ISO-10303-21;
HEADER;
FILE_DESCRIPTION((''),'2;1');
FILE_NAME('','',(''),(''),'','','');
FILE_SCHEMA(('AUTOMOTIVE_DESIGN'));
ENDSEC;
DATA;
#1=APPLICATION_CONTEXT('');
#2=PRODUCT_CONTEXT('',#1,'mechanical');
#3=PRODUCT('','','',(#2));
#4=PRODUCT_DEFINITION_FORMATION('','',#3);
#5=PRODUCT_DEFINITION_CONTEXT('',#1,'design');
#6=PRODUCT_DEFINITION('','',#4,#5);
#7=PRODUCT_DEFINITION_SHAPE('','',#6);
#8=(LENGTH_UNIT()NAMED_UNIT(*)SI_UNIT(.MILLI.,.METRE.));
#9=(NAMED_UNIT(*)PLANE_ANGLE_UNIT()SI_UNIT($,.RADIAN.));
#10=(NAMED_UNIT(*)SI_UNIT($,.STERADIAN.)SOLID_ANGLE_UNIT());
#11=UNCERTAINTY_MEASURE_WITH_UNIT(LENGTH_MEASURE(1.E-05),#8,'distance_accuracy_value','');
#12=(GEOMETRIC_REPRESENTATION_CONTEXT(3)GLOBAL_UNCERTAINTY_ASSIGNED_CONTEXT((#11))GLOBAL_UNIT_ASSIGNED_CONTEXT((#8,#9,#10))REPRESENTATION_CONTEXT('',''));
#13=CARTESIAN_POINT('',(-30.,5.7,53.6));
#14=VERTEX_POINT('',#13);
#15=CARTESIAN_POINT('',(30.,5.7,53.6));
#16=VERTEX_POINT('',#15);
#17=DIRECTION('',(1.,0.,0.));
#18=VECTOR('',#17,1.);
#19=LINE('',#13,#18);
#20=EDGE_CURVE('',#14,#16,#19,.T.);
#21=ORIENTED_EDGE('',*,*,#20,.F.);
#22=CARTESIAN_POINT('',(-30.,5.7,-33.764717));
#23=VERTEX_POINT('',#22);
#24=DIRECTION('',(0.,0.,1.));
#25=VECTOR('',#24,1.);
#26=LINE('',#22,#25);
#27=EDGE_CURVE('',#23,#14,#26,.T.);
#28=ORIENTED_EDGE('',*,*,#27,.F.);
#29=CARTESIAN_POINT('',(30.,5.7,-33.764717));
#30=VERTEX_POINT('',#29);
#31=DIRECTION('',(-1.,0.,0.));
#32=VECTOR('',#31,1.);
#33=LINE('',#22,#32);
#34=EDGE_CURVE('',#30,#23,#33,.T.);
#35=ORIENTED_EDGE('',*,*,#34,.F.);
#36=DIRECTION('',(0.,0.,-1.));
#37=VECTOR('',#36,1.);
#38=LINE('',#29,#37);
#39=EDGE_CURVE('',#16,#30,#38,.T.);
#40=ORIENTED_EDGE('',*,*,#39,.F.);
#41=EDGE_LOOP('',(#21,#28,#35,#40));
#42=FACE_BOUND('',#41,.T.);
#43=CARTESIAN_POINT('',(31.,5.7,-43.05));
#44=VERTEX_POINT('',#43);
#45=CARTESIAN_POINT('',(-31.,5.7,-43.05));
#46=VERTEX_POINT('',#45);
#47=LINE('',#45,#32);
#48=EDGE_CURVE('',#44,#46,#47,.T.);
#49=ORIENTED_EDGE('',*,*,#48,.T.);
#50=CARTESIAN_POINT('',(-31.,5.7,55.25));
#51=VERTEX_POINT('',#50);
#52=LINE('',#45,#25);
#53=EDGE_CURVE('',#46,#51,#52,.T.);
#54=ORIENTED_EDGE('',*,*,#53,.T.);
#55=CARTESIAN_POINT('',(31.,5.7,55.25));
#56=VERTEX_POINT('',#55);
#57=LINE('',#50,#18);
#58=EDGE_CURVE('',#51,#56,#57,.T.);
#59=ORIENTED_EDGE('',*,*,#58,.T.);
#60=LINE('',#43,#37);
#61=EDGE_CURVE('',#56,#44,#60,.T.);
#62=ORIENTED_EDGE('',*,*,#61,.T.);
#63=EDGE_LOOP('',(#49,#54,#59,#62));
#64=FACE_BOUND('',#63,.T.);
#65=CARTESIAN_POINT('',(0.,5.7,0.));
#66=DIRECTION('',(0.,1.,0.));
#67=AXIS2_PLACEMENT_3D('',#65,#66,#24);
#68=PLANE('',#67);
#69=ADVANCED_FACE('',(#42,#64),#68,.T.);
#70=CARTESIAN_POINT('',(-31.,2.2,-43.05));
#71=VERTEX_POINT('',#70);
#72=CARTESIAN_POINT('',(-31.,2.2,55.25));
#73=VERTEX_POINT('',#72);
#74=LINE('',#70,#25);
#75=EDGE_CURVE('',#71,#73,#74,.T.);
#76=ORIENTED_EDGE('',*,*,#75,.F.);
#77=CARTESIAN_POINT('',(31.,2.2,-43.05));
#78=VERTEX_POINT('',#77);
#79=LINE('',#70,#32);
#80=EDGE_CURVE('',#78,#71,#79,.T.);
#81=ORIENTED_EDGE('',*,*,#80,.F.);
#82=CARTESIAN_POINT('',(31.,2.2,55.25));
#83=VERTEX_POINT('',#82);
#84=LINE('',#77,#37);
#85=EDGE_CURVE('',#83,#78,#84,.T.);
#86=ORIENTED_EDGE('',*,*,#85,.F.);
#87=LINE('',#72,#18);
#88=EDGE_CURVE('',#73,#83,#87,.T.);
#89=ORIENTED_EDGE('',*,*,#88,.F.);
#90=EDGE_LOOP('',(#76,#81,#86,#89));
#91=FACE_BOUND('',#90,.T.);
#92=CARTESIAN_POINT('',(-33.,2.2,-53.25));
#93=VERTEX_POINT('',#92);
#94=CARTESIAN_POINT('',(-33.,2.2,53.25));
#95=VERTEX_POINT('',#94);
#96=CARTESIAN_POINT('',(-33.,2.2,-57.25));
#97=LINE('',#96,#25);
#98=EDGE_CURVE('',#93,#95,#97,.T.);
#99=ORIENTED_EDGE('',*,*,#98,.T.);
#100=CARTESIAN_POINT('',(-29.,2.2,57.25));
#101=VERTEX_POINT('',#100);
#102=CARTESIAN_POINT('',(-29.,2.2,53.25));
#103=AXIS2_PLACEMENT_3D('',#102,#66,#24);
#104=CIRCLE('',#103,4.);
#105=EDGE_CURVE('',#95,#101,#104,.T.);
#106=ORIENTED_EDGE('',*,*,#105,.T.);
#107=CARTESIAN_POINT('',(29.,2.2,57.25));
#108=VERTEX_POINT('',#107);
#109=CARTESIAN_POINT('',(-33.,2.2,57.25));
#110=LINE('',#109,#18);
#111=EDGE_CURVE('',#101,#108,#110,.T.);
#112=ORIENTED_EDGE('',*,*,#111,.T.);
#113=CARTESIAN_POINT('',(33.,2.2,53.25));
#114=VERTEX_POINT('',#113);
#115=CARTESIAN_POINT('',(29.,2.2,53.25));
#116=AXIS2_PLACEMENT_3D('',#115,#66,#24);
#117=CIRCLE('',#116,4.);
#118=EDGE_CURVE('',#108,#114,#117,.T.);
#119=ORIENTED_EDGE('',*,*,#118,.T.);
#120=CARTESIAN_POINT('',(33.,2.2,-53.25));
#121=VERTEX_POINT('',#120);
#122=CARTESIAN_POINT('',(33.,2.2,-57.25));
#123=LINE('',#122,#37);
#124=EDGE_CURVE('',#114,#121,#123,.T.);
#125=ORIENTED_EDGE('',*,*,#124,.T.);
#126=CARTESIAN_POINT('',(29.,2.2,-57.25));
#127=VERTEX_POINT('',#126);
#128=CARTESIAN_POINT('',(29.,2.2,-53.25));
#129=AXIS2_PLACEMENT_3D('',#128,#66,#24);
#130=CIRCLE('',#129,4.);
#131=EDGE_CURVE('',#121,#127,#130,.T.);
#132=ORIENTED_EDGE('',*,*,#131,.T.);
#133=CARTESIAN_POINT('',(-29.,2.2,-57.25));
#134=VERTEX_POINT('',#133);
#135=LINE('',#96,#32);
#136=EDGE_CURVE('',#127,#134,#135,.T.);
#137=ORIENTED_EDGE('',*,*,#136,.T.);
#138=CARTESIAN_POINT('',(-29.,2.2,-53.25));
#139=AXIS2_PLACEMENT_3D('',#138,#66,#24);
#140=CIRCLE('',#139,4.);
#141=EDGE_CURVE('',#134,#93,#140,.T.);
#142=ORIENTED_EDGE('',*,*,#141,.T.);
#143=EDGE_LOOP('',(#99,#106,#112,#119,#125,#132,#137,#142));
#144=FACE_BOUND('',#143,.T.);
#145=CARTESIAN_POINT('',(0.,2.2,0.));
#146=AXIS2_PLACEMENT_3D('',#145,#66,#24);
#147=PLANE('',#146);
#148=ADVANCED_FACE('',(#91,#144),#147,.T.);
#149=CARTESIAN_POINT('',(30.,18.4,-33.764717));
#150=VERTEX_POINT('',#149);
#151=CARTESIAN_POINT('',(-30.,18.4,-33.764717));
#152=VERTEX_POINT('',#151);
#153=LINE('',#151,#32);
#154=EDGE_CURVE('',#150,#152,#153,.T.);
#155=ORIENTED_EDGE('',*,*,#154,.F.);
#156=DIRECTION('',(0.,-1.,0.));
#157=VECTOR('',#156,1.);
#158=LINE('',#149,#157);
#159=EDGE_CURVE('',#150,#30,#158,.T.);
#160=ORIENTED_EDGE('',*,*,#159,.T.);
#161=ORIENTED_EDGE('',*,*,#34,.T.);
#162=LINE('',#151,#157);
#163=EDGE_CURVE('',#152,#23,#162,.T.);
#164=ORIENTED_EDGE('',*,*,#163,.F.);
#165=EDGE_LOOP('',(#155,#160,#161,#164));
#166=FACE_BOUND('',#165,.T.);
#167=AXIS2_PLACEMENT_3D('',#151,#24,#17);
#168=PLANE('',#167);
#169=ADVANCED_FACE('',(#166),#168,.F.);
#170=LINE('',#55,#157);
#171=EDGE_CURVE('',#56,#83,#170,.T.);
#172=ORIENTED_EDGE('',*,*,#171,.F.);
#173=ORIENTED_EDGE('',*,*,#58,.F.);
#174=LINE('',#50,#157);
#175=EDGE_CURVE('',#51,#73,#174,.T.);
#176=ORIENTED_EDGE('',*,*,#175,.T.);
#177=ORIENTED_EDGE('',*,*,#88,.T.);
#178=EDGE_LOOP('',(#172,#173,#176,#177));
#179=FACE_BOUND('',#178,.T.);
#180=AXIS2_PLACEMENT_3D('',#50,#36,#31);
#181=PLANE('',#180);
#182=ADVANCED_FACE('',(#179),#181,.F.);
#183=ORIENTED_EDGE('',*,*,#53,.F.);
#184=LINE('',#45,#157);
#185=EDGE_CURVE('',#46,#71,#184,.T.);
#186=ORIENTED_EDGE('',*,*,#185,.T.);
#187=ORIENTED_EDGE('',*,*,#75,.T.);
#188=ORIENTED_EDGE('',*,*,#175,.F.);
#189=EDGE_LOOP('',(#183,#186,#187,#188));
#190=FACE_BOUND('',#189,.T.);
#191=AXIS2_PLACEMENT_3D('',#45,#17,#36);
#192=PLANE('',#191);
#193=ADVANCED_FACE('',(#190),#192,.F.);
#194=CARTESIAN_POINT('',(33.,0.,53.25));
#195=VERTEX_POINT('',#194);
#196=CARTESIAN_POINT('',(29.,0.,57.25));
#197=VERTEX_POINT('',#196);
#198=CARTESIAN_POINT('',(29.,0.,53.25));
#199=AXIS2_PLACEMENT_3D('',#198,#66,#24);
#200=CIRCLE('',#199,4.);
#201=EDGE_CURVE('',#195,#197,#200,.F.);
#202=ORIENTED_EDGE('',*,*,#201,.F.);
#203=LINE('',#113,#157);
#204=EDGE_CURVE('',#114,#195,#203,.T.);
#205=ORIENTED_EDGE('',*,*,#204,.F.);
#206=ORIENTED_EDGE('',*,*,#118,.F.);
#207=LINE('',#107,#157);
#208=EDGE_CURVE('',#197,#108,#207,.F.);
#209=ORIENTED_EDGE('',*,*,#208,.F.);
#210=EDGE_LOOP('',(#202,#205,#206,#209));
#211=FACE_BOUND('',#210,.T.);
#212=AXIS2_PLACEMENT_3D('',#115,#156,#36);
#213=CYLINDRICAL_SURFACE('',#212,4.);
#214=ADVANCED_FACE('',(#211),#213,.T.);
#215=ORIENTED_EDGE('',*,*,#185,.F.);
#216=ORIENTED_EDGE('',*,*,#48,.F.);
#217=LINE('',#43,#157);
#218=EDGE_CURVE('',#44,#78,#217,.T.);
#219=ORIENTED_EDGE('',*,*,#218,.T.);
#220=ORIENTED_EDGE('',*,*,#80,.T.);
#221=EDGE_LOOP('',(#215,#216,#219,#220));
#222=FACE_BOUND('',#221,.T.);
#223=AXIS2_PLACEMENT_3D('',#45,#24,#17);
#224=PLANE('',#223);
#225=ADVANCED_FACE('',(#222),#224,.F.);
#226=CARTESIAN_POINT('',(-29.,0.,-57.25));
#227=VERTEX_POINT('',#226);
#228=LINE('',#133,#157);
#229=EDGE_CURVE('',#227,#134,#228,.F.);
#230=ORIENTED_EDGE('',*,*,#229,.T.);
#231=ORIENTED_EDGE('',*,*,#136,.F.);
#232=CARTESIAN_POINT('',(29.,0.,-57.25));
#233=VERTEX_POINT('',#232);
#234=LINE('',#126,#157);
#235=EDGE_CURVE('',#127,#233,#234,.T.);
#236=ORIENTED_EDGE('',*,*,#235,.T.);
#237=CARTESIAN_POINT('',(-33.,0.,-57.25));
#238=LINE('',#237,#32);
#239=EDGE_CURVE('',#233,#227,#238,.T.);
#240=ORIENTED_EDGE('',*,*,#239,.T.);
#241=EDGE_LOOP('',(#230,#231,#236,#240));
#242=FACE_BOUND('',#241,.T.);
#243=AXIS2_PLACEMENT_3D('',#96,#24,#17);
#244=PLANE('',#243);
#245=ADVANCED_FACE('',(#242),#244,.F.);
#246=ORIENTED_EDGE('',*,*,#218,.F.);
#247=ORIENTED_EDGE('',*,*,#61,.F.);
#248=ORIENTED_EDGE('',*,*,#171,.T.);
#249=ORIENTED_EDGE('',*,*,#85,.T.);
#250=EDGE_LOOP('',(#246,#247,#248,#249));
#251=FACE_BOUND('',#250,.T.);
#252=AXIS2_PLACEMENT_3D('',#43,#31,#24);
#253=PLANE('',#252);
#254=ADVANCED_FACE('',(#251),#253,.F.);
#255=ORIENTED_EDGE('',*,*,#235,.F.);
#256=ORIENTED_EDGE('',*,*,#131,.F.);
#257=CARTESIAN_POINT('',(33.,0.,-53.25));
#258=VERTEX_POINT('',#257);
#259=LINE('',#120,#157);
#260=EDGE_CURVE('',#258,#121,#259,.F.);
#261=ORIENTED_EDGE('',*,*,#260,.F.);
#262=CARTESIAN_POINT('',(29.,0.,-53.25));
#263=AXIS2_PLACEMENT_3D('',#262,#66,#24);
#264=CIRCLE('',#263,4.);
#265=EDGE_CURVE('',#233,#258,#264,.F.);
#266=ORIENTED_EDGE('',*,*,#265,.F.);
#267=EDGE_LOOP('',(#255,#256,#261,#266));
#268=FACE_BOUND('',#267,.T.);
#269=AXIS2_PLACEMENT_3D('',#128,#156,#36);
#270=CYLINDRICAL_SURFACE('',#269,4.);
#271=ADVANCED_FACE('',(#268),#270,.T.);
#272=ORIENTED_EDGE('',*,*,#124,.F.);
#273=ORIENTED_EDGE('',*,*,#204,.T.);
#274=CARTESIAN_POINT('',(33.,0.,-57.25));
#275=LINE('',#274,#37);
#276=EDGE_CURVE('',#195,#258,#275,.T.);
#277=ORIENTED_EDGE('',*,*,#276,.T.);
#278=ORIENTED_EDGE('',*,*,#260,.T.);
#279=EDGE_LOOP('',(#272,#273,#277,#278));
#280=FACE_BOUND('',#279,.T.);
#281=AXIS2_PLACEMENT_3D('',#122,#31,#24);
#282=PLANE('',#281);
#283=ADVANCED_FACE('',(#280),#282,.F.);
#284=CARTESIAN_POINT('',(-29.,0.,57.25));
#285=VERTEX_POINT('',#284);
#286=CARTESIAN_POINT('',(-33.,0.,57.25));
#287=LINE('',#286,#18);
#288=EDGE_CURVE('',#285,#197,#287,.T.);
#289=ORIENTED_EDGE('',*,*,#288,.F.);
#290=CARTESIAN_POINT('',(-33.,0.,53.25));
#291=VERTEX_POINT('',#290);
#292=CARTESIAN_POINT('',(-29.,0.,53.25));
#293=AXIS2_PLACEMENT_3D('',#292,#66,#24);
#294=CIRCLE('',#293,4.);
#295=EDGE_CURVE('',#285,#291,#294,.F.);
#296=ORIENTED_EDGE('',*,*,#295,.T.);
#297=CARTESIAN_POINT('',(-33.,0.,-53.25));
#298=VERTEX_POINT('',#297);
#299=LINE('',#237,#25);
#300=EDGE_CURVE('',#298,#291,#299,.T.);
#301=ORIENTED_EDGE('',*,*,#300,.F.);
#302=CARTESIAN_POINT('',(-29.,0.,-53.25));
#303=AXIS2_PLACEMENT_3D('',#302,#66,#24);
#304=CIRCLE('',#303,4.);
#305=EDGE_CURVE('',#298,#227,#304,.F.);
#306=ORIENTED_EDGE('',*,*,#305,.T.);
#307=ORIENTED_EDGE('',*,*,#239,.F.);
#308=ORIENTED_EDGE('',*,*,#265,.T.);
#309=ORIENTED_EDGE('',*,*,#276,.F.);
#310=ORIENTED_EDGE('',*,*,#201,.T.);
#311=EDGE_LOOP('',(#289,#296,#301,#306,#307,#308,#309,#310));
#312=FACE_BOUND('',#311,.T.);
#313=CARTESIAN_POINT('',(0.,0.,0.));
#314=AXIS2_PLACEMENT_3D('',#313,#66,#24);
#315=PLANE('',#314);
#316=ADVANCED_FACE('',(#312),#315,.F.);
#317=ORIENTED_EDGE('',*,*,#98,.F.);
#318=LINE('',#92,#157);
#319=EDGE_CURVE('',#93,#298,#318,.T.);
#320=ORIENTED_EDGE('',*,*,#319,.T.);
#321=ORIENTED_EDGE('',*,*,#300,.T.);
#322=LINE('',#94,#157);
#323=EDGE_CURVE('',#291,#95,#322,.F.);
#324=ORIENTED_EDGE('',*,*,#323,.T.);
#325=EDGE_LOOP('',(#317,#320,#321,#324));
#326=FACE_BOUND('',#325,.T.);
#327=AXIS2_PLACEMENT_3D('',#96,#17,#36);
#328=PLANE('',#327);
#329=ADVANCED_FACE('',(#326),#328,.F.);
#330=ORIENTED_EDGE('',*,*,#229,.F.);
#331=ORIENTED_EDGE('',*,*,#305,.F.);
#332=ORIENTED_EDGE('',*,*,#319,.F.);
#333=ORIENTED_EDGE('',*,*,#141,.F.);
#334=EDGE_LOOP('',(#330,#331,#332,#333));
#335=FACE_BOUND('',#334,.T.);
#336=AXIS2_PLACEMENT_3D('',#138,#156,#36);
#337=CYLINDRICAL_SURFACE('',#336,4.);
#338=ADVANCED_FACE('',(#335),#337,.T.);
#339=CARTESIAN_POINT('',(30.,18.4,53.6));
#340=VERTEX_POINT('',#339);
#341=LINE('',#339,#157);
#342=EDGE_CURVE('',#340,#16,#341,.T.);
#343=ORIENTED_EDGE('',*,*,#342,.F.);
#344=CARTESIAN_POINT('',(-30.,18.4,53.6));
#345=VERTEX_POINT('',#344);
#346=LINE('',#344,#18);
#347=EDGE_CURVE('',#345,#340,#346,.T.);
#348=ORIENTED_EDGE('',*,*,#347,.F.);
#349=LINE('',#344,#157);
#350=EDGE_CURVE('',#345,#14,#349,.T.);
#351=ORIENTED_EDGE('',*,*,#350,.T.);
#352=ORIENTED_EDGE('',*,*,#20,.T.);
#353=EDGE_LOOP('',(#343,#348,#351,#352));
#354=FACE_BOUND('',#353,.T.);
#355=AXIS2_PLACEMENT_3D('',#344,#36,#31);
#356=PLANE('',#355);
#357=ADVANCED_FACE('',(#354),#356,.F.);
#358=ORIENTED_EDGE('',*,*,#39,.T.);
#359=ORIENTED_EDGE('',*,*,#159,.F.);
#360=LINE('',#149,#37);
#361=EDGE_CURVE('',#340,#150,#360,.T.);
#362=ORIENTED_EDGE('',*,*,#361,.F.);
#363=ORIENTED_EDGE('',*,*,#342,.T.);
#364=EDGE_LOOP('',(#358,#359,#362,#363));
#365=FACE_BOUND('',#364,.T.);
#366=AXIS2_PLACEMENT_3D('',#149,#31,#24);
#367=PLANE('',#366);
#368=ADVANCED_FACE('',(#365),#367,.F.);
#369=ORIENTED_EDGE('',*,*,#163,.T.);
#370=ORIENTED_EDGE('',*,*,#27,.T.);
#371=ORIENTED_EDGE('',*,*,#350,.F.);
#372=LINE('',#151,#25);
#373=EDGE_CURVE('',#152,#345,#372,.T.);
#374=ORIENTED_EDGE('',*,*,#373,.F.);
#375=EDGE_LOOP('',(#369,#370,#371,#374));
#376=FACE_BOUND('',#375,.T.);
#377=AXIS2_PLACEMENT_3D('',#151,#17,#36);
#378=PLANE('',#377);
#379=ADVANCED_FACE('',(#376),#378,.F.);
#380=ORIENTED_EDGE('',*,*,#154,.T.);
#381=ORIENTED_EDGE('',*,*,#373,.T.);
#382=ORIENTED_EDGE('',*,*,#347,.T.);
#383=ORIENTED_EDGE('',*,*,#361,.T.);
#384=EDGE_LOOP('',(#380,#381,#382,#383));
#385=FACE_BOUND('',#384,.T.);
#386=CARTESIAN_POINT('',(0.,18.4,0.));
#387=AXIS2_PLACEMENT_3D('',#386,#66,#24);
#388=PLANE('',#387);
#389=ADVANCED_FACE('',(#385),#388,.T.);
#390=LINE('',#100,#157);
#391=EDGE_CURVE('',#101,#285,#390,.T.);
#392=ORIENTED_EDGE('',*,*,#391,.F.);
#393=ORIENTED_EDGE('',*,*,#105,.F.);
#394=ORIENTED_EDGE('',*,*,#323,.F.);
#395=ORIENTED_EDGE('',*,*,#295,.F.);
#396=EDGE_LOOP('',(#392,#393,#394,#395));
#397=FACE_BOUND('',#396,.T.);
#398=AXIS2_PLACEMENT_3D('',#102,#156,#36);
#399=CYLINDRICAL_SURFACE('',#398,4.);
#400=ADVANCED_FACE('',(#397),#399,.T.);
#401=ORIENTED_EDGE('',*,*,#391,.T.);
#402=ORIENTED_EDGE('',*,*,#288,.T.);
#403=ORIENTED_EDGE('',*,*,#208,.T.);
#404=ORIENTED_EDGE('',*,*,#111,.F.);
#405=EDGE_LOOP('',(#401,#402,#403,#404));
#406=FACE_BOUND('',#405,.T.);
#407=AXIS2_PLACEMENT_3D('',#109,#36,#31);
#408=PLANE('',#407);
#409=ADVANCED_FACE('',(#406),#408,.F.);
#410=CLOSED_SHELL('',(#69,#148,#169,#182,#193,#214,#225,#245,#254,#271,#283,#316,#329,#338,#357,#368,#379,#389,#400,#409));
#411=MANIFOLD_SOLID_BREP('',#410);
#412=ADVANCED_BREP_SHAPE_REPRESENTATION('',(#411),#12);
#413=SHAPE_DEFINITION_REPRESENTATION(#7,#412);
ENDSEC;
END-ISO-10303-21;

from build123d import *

# Parameters (mm, degrees)
SKETCH_1_W      = 66
SKETCH_1_H      = 114.5
EXTRUDE_1_DEPTH = 2.2
FILLET_1_R      = 4
SKETCH_2_W      = 62
SKETCH_2_H      = 98.3
EXTRUDE_2_DEPTH = 3.5
SKETCH_3_W      = 60
SKETCH_3_H      = 87.364717042
EXTRUDE_3_DEPTH = 12.7


with BuildPart() as part:
    # 스케치1 → 보스-돌출1 (new body)
    with BuildSketch(Plane(origin=(0, 0, 0), x_dir=(1, 0, 0), z_dir=(0, 1, 0))):
        Rectangle(SKETCH_1_W, SKETCH_1_H)
    extrude(amount=EXTRUDE_1_DEPTH)

    # 필렛1
    fillet_1_edges = [part.edges().sort_by_distance(p)[0] for p in [
        (-33, 1.1, -57.25),
        (33, 1.1, -57.25),
        (33, 1.1, 57.25),
        (-33, 1.1, 57.25),
    ]]
    fillet(fillet_1_edges, radius=FILLET_1_R)

    # 스케치2 → 보스-돌출2 (add)
    with BuildSketch(Plane(origin=(0, 2.2, 0), x_dir=(1, 0, 0), z_dir=(0, 1, 0))):
        with Locations((0, -6.1)):
            Rectangle(SKETCH_2_W, SKETCH_2_H)
    extrude(amount=EXTRUDE_2_DEPTH)

    # 스케치3 → 보스-돌출3 (add)
    with BuildSketch(Plane(origin=(0, 5.7, 0), x_dir=(1, 0, 0), z_dir=(0, 1, 0))):
        with Locations((0, -9.917641479)):
            Rectangle(SKETCH_3_W, SKETCH_3_H)
    extrude(amount=EXTRUDE_3_DEPTH)


solid = part.part
